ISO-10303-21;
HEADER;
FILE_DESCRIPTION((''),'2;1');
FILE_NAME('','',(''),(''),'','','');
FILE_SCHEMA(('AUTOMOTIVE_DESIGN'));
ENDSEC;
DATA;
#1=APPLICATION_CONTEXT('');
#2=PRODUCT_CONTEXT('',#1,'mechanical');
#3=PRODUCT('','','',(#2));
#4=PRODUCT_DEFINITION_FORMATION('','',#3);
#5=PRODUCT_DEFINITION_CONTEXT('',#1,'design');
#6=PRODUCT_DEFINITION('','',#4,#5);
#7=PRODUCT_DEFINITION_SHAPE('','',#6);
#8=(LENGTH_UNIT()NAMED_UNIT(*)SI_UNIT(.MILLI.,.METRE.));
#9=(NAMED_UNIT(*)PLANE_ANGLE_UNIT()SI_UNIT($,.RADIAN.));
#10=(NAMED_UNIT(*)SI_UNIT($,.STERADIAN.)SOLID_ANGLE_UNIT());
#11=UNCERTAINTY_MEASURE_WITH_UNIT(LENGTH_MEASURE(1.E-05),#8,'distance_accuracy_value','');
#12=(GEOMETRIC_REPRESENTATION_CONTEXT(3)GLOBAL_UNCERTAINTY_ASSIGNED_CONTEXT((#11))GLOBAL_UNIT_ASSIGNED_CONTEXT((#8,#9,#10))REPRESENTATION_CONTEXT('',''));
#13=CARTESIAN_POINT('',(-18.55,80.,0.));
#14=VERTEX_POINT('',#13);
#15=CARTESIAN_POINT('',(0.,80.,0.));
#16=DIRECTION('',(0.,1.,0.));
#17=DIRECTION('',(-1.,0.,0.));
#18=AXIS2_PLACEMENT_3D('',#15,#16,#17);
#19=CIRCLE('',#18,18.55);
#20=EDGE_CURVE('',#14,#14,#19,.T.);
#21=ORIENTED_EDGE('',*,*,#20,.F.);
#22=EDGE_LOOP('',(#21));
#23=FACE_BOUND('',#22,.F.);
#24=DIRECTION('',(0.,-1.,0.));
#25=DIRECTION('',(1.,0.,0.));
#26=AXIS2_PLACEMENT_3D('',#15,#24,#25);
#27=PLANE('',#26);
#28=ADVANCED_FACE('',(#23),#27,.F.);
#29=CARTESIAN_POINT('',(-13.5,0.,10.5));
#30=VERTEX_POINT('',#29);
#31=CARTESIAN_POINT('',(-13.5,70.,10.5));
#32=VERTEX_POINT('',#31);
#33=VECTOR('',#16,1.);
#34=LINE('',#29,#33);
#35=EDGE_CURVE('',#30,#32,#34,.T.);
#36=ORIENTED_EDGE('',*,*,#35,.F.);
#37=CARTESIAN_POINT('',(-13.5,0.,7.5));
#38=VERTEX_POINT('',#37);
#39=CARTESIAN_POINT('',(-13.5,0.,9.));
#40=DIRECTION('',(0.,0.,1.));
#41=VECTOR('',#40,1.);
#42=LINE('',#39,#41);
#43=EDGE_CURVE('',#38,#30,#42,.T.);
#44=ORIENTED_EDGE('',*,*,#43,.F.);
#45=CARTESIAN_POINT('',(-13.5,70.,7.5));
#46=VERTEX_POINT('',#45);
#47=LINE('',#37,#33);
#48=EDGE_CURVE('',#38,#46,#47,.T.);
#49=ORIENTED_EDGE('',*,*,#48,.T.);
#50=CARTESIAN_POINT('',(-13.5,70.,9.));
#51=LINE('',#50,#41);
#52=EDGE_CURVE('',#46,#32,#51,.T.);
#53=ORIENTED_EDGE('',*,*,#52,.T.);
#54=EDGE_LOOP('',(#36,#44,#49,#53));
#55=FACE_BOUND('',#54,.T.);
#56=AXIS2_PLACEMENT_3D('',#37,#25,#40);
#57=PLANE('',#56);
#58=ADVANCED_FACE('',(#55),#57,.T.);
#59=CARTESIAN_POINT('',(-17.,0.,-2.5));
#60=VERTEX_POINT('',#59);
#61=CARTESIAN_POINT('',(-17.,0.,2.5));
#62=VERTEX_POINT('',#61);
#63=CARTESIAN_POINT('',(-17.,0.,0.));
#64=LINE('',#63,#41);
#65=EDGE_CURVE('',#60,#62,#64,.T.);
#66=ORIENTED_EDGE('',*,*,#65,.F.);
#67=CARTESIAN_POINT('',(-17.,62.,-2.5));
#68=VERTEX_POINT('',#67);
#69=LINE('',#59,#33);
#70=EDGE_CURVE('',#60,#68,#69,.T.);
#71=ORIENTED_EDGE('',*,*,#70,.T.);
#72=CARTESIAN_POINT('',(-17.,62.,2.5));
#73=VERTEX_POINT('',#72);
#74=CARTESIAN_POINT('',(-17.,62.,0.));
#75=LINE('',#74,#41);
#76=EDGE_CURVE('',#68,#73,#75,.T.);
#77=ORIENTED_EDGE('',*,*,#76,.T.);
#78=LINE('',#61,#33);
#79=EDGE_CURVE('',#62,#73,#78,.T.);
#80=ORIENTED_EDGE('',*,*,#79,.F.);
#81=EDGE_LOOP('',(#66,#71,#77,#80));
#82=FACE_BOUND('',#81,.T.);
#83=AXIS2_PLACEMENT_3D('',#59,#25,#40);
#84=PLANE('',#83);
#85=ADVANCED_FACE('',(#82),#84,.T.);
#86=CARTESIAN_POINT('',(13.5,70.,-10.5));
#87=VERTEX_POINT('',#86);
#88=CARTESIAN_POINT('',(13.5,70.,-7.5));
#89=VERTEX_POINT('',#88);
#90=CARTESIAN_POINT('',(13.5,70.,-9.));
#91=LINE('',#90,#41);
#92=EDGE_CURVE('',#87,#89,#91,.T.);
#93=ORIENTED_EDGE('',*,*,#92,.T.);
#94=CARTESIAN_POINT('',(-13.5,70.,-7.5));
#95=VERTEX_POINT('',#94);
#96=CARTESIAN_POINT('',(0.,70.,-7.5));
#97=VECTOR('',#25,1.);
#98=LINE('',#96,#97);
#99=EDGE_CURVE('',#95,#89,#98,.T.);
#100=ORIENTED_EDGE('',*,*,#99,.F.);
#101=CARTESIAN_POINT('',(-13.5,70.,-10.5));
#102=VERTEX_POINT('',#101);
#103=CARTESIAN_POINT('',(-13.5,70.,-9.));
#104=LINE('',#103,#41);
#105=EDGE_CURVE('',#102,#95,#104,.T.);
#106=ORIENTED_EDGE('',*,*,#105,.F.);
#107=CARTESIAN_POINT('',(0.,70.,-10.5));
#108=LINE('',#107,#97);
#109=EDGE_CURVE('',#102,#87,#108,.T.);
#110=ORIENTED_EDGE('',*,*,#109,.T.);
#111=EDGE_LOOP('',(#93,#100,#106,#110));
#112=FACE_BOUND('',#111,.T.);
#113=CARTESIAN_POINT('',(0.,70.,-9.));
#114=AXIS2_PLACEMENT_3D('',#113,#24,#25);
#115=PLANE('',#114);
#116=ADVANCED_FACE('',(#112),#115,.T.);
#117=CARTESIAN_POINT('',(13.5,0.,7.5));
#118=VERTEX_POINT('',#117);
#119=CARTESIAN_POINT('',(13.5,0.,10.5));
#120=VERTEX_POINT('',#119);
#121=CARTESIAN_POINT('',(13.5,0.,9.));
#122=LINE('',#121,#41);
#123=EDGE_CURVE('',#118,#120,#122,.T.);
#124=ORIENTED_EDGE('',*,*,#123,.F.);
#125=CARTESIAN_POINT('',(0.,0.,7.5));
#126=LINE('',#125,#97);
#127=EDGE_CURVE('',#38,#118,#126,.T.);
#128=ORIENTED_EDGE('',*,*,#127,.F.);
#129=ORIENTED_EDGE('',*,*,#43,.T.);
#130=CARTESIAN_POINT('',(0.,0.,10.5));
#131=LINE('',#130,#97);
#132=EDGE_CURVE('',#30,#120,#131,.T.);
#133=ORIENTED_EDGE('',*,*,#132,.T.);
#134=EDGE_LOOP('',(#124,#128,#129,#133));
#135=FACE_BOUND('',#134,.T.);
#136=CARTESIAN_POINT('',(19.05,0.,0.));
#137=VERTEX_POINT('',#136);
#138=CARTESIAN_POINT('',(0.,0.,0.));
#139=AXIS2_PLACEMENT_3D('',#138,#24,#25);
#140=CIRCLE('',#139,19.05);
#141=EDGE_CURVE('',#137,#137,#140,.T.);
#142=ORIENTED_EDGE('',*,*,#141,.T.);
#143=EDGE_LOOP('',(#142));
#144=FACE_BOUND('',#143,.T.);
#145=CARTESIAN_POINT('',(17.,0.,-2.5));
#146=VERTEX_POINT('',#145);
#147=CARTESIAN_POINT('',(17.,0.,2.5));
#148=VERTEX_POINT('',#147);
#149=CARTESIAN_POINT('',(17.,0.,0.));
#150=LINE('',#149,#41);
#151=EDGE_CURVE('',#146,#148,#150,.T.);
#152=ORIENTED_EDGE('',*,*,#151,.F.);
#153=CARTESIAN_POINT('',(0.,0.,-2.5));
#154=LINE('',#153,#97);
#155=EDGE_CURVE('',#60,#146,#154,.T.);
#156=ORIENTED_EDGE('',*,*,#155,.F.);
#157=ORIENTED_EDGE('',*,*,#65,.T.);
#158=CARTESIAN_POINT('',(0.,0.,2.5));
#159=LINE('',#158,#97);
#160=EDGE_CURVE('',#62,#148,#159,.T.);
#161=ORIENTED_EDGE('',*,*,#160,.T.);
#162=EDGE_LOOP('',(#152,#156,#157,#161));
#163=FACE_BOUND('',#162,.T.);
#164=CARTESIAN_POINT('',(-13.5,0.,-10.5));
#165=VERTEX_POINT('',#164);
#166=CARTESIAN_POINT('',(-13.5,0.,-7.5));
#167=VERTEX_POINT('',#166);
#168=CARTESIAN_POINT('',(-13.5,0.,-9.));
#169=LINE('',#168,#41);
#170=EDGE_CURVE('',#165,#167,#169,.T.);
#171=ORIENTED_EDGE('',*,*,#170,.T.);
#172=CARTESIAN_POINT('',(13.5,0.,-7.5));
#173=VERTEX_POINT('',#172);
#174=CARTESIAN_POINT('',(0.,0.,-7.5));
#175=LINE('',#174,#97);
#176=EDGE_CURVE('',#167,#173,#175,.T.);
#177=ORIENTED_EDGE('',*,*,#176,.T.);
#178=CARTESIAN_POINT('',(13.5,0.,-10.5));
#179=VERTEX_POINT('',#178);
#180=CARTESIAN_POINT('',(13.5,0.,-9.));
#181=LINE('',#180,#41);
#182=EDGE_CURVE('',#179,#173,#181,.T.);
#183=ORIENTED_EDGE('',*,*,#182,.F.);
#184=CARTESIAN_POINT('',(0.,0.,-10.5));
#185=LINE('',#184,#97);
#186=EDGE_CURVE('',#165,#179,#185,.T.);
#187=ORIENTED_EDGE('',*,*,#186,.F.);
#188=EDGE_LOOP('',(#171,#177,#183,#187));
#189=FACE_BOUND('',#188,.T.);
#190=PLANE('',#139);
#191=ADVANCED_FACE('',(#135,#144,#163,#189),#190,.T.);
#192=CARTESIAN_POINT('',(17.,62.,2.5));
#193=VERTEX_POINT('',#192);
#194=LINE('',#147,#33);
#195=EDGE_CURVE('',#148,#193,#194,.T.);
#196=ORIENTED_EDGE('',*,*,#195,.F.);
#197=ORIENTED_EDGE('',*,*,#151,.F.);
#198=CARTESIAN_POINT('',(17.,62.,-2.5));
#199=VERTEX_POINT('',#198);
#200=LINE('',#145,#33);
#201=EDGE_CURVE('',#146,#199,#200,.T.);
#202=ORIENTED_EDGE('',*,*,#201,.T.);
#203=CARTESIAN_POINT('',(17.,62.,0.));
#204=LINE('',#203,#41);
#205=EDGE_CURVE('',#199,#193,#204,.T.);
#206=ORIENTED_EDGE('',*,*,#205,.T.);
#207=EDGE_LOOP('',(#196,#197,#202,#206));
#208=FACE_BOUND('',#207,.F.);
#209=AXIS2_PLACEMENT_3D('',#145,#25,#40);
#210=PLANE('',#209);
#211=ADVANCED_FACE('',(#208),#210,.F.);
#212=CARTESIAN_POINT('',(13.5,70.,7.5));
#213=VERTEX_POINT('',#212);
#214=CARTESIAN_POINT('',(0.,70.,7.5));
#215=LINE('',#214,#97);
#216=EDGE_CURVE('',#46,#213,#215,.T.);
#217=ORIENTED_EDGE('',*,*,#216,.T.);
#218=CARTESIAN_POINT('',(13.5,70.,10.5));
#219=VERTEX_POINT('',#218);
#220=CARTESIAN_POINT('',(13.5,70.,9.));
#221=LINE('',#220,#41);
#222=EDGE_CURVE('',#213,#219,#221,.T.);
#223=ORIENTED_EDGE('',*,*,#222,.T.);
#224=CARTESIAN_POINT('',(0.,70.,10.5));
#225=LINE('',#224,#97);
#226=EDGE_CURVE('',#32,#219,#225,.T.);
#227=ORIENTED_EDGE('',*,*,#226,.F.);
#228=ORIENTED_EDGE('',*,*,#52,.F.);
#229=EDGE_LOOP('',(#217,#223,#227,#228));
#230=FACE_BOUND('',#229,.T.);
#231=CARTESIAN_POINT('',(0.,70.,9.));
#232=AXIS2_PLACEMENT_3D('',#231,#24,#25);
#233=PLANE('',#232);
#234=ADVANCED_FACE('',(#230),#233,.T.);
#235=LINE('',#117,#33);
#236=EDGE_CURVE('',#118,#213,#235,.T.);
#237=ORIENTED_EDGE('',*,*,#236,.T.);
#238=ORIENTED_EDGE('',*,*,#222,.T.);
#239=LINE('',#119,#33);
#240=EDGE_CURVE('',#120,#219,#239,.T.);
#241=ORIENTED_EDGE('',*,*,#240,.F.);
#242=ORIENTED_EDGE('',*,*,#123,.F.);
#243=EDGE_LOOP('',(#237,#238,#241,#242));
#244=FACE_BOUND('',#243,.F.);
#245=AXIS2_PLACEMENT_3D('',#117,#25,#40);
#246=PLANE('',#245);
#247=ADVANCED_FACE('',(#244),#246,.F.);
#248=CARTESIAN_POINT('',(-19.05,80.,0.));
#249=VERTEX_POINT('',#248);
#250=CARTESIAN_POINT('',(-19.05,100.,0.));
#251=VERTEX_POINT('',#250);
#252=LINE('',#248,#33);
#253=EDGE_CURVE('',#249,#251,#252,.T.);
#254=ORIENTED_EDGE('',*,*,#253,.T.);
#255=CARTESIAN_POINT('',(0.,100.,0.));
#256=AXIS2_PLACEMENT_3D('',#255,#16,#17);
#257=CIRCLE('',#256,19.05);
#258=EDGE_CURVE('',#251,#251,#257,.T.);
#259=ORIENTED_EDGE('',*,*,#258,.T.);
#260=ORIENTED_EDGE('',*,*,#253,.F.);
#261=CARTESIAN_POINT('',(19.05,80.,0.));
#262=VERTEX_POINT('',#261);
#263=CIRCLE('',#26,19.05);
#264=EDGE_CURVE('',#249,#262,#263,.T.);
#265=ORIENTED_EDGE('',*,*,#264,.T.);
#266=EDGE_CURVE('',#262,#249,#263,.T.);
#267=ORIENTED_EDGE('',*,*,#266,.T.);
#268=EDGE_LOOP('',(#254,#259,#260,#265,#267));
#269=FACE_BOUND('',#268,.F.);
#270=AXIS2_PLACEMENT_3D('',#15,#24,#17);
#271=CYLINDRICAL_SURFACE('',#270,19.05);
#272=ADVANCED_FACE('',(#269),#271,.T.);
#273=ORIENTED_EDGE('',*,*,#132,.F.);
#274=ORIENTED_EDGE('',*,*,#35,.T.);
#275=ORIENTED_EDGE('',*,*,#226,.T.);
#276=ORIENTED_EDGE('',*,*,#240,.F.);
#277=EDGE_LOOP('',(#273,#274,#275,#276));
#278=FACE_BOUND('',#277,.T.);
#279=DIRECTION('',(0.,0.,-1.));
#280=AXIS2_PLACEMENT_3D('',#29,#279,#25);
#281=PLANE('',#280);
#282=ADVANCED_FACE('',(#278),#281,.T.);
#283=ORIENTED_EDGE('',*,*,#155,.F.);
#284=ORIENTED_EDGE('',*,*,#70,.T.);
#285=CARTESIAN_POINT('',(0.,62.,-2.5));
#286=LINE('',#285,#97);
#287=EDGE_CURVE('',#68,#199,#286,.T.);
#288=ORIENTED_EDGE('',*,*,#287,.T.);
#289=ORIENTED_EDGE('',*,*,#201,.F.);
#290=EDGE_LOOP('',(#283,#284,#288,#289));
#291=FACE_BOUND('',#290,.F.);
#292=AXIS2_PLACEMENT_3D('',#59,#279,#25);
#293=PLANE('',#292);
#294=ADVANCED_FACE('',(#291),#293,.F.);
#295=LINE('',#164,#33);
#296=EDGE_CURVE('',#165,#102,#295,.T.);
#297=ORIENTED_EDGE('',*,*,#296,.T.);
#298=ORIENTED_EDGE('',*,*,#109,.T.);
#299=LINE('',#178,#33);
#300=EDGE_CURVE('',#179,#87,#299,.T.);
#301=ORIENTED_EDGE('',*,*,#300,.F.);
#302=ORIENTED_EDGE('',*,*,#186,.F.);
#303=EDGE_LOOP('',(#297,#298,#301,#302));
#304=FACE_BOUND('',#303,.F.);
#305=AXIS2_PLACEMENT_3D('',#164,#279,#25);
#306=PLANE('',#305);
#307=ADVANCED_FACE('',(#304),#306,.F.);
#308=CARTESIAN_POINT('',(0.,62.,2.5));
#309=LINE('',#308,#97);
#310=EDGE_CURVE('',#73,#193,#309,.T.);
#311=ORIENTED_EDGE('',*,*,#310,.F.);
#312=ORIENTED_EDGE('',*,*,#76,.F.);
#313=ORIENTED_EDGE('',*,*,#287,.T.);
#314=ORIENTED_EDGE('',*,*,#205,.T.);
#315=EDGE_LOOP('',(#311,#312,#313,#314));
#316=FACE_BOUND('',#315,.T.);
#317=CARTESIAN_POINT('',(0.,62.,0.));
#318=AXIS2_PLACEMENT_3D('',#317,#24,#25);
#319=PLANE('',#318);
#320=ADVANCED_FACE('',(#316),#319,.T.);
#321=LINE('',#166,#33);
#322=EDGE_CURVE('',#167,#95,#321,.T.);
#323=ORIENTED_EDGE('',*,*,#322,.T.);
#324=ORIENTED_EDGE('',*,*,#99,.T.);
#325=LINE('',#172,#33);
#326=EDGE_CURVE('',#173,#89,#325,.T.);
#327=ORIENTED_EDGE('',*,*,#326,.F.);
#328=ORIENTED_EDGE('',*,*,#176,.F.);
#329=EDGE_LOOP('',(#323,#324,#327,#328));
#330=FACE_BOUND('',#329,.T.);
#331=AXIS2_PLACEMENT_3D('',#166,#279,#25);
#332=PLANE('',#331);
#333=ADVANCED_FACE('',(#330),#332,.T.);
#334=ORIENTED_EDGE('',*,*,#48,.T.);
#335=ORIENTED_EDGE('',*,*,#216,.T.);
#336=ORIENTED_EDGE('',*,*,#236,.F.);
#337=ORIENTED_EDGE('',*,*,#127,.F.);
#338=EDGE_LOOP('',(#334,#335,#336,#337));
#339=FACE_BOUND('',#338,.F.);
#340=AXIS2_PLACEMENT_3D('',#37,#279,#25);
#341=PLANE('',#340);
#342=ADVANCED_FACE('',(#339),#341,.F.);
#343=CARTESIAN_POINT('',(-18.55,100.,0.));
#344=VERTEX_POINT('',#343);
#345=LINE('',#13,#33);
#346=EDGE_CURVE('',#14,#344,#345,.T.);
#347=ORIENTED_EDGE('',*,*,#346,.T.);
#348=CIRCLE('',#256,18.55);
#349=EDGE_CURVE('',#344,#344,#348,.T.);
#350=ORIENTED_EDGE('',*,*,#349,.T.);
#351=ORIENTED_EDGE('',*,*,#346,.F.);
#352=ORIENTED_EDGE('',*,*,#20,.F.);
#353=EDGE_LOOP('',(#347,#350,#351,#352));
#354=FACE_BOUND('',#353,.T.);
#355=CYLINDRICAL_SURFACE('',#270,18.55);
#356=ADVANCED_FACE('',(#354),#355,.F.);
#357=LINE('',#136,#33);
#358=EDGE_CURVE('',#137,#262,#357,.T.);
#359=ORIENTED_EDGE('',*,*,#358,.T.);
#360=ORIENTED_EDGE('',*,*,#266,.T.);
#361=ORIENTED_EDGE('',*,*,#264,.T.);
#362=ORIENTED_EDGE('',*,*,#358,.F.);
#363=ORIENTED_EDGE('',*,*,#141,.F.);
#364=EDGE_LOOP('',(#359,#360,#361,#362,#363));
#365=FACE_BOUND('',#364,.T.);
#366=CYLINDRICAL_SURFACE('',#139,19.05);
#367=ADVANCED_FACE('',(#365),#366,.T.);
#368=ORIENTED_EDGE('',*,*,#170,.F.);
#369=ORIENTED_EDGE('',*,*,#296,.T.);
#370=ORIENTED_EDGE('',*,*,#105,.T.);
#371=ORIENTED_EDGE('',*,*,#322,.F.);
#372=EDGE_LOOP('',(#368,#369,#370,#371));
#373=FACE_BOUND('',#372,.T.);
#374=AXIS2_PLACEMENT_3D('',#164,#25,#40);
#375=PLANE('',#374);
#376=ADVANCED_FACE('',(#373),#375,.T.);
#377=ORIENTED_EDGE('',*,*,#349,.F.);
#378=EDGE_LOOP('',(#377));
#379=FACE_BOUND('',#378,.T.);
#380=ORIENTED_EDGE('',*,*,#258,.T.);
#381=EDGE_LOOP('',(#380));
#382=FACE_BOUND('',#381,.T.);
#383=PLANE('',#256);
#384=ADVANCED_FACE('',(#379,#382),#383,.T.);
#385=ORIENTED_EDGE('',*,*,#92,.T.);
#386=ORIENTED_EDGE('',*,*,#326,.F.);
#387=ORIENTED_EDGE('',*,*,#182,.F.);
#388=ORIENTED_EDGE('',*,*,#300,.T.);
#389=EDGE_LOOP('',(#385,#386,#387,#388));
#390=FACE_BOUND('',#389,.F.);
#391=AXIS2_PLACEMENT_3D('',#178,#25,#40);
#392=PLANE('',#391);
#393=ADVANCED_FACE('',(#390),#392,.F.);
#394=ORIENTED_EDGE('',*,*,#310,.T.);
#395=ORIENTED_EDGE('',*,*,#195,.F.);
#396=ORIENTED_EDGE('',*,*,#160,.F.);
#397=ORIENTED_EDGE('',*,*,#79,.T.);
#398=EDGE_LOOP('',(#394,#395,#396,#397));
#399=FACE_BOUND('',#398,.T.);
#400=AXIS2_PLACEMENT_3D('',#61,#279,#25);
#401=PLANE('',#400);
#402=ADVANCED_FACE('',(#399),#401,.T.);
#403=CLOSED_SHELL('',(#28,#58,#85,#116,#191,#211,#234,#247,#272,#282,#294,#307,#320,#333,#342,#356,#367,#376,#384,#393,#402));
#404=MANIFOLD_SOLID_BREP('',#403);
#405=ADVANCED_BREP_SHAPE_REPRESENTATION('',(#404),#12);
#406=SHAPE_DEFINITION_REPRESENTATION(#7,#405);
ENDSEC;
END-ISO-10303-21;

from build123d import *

# Parameters (mm, degrees)
F0_R     = 19.05
F1_DEPTH = 80
F4_R     = 19.05
F4_R_2   = 18.55
F5_DEPTH = 20
F3_W     = 27
F3_H     = 3
F6_DEPTH = 70
F8_W     = 34
F8_H     = 5
F9_DEPTH = 62


with BuildPart() as f1:
    # F0 (on Front) → F1 (new body)
    with BuildSketch(Plane.XZ):
        Circle(F0_R)
    extrude(amount=-F1_DEPTH)

    # F4 (on face) → F5 (join)
    with BuildSketch(Plane(origin=(0, 80, 0), x_dir=(-1, 0, 0), z_dir=(0, 1, 0))):
        Circle(F4_R)
        Circle(F4_R_2, mode=Mode.SUBTRACT)
    extrude(amount=F5_DEPTH)

    # F3 (on Front) → F6 (cut)
    with BuildSketch(Plane.XZ):
        with Locations((0, 9)):
            Rectangle(F3_W, F3_H)
        with Locations((0, -9)):
            Rectangle(F3_W, F3_H)
    extrude(amount=-F6_DEPTH, mode=Mode.SUBTRACT)

    # F8 (on Front) → F9 (cut)
    with BuildSketch(Plane.XZ):
        Rectangle(F8_W, F8_H)
    extrude(amount=-F9_DEPTH, mode=Mode.SUBTRACT)


solid = f1.part
